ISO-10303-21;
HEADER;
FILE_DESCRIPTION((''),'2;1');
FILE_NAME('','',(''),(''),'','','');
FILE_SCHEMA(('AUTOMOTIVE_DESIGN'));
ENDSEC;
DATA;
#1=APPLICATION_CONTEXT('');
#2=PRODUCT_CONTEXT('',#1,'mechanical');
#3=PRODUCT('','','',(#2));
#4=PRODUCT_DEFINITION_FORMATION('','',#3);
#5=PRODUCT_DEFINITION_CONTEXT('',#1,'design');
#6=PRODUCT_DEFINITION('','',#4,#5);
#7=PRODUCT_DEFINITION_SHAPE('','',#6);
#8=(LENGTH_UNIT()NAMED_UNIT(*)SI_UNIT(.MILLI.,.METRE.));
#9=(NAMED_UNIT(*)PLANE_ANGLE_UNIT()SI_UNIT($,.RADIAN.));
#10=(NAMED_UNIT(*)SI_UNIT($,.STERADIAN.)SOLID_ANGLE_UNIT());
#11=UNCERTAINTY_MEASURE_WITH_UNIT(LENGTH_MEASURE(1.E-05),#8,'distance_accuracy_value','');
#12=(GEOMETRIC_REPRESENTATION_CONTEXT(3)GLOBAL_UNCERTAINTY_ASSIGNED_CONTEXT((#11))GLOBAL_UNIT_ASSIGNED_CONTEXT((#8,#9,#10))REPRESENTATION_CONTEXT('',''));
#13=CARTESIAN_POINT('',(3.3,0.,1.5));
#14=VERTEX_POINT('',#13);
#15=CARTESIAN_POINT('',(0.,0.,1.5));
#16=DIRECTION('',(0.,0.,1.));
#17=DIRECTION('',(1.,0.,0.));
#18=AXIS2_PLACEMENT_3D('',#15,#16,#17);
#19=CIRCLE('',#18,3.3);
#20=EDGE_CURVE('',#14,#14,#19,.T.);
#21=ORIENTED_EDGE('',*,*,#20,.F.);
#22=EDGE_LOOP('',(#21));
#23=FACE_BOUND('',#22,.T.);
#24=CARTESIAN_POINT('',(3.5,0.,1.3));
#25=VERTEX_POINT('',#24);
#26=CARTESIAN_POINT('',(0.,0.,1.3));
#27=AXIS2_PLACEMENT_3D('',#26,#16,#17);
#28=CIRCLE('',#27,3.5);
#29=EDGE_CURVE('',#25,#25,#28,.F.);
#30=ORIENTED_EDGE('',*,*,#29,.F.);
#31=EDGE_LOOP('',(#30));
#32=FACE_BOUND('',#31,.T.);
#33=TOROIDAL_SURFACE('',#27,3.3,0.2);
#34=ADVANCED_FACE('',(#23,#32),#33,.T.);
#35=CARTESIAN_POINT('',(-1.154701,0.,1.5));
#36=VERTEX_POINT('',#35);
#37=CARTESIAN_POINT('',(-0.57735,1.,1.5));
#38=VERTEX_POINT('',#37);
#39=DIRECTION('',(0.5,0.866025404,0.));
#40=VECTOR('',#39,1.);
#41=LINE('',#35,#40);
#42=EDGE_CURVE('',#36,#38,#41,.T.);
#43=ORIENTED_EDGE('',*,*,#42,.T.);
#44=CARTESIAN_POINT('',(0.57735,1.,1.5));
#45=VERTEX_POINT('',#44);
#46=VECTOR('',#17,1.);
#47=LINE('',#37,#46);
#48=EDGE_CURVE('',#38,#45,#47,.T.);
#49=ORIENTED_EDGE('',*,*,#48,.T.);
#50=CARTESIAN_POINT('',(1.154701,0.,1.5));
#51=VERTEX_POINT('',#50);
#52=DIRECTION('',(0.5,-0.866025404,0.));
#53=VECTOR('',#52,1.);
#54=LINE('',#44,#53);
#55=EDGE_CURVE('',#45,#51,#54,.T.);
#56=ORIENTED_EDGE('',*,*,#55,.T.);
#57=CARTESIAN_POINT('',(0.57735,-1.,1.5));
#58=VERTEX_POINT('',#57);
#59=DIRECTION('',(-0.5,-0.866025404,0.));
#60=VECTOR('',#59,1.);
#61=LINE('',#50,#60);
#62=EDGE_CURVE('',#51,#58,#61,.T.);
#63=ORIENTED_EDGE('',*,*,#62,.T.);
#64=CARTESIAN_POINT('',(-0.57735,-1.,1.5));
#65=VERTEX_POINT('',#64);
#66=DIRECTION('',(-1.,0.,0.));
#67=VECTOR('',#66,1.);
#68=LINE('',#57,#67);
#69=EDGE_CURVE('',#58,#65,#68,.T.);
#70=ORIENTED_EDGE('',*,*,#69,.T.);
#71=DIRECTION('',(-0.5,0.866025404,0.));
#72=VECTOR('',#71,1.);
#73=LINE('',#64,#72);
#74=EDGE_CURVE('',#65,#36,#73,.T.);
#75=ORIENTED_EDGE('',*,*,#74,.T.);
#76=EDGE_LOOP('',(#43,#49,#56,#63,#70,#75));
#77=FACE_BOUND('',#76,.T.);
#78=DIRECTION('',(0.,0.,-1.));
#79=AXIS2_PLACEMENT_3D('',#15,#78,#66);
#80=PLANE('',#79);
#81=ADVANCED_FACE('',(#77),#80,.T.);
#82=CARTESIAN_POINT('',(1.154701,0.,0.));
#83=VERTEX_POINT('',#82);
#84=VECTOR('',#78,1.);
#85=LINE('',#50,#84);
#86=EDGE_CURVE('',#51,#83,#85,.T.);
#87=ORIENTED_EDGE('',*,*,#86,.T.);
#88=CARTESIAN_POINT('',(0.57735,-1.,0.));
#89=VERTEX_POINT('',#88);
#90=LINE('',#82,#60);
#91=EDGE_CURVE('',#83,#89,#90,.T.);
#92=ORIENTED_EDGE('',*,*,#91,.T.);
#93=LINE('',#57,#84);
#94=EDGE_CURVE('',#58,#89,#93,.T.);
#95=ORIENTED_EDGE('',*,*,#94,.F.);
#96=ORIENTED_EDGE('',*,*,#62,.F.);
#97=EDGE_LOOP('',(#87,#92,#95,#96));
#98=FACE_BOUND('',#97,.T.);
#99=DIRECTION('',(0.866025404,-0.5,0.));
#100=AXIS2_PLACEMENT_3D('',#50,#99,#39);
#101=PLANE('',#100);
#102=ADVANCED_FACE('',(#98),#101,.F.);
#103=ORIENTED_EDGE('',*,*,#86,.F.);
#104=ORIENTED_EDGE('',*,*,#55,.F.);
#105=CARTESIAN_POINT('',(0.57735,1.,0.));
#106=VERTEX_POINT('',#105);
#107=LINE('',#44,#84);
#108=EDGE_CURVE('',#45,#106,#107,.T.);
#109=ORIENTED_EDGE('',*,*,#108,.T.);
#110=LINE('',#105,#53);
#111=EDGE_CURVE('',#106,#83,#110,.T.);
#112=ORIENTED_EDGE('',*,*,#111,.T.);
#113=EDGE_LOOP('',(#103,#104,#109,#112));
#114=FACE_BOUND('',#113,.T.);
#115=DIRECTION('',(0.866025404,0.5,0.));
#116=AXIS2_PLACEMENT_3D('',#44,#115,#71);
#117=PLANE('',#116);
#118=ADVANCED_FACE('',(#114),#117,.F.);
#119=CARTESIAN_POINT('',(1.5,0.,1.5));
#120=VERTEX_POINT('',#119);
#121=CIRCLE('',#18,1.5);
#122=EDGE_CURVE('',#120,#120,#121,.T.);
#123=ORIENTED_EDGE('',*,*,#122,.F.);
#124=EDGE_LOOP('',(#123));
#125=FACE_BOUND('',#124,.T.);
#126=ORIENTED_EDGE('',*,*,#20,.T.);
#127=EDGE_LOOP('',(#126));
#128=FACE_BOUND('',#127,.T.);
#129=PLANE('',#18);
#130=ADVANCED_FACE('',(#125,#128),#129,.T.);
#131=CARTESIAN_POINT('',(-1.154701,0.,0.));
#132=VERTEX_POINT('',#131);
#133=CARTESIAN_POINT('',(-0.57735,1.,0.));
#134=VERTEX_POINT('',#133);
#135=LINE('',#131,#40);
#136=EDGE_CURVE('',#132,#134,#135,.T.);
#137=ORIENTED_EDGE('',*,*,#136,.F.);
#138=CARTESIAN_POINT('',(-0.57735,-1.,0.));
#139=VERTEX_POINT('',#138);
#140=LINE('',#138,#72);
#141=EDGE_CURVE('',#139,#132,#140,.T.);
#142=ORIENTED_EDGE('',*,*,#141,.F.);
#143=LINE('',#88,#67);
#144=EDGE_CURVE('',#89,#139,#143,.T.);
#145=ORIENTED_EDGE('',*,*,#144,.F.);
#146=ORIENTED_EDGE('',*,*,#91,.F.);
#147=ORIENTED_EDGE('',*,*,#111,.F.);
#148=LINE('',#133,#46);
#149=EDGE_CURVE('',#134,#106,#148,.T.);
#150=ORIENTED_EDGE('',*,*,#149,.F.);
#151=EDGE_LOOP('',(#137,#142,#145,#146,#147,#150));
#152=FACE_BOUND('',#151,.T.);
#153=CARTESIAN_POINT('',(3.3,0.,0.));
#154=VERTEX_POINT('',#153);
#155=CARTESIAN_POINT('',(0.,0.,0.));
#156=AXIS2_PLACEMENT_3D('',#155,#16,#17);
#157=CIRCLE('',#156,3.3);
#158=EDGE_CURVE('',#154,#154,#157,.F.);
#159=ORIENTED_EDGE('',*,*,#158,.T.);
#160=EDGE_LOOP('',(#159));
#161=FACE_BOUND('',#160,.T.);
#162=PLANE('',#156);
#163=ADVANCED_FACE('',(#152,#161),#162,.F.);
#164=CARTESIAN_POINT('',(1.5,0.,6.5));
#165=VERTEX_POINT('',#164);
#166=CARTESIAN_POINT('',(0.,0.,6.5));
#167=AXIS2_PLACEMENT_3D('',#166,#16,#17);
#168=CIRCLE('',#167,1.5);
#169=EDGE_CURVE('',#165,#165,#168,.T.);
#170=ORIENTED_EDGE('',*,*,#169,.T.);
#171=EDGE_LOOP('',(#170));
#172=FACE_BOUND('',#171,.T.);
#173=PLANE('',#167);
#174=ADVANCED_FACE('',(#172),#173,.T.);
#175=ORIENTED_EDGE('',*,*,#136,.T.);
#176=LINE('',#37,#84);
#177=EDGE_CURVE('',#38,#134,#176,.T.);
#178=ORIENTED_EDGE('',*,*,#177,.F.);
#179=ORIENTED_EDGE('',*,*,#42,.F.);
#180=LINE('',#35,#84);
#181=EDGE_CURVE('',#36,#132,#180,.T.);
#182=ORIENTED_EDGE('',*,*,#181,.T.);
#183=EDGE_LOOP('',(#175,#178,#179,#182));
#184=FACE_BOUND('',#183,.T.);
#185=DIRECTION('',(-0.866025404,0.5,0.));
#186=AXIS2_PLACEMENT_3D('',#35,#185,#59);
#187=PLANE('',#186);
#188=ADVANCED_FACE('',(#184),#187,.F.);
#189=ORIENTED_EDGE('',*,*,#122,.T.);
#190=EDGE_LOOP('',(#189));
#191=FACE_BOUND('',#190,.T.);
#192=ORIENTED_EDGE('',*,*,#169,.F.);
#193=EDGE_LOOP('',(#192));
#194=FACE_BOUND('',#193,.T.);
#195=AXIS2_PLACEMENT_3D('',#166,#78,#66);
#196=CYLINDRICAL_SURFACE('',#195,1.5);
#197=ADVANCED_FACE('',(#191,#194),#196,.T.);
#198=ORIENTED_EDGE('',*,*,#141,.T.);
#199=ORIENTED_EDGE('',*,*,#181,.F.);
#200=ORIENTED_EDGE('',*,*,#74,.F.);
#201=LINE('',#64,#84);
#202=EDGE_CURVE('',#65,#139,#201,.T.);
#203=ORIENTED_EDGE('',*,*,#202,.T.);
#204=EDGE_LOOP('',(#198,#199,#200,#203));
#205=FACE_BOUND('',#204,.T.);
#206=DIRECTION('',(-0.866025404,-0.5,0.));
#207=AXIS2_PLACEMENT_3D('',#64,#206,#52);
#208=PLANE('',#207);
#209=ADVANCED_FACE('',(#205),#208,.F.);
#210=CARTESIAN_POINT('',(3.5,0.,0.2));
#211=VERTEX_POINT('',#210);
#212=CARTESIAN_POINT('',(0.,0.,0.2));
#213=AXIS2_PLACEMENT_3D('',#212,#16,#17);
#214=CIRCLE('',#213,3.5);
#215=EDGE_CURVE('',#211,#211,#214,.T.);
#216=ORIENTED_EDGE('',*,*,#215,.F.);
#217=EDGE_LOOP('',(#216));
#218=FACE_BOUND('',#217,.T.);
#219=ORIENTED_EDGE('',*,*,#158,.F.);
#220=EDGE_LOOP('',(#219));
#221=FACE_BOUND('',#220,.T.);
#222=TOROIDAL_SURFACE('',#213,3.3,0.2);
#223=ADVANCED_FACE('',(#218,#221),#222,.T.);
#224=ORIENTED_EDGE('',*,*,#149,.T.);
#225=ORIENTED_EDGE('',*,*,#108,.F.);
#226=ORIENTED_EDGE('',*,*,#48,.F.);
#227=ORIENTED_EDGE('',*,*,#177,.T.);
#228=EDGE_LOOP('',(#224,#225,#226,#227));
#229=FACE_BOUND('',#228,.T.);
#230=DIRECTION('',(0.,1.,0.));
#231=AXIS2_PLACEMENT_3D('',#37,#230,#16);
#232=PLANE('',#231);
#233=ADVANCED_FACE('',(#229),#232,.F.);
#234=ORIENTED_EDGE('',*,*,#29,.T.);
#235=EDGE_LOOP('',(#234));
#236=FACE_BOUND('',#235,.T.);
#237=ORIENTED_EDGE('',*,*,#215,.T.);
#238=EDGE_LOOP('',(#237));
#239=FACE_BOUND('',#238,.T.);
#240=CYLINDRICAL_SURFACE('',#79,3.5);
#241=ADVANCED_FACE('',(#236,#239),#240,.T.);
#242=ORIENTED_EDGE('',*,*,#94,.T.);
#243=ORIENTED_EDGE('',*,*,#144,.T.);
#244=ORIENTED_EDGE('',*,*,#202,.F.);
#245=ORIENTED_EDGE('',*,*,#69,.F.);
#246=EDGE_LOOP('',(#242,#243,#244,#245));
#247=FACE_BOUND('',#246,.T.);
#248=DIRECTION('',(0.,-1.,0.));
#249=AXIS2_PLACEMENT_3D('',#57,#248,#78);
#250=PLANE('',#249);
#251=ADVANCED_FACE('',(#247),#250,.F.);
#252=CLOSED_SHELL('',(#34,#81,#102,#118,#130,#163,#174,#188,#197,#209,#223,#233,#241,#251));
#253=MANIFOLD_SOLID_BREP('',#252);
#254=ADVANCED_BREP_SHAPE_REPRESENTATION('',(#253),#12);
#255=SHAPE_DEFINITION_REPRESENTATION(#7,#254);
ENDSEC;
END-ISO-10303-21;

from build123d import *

# Parameters (mm, degrees)
SKETCH_1_R          = 3.5
EXTRUDE_1_DEPTH     = 1.5
SKETCH_2_R          = 1.5
EXTRUDE_2_DEPTH     = 5
FILLET_1_R          = 0.2
CUT_EXTRUDE_1_DEPTH = 1.5


with BuildPart() as part:
    # 草图1 → 凸台-拉伸1 (new body)
    with BuildSketch(Plane.XY):
        Circle(SKETCH_1_R)
    extrude(amount=EXTRUDE_1_DEPTH)

    # 草图2 → 凸台-拉伸2 (add)
    with BuildSketch(Plane.XY.offset(1.5)):
        Circle(SKETCH_2_R)
    extrude(amount=EXTRUDE_2_DEPTH)

    # 圆角1
    fillet_1_edges = [part.edges().sort_by_distance(p)[0] for p in [
        (-3.5, 0, 0),
        (-3.5, 0, 1.5),
    ]]
    fillet(fillet_1_edges, radius=FILLET_1_R)

    # 草图3 → 切除-拉伸1 (cut)
    with BuildSketch(Plane(origin=(0, 0, 0), x_dir=(-1, 0, 0), z_dir=(0, 0, -1))):
        Polygon((1.154700538, 0), (0.577350269, 1), (-0.577350269, 1), (-1.154700538, 0), (-0.577350269, -1), (0.577350269, -1), align=None)
    extrude(amount=-CUT_EXTRUDE_1_DEPTH, mode=Mode.SUBTRACT)


solid = part.part
